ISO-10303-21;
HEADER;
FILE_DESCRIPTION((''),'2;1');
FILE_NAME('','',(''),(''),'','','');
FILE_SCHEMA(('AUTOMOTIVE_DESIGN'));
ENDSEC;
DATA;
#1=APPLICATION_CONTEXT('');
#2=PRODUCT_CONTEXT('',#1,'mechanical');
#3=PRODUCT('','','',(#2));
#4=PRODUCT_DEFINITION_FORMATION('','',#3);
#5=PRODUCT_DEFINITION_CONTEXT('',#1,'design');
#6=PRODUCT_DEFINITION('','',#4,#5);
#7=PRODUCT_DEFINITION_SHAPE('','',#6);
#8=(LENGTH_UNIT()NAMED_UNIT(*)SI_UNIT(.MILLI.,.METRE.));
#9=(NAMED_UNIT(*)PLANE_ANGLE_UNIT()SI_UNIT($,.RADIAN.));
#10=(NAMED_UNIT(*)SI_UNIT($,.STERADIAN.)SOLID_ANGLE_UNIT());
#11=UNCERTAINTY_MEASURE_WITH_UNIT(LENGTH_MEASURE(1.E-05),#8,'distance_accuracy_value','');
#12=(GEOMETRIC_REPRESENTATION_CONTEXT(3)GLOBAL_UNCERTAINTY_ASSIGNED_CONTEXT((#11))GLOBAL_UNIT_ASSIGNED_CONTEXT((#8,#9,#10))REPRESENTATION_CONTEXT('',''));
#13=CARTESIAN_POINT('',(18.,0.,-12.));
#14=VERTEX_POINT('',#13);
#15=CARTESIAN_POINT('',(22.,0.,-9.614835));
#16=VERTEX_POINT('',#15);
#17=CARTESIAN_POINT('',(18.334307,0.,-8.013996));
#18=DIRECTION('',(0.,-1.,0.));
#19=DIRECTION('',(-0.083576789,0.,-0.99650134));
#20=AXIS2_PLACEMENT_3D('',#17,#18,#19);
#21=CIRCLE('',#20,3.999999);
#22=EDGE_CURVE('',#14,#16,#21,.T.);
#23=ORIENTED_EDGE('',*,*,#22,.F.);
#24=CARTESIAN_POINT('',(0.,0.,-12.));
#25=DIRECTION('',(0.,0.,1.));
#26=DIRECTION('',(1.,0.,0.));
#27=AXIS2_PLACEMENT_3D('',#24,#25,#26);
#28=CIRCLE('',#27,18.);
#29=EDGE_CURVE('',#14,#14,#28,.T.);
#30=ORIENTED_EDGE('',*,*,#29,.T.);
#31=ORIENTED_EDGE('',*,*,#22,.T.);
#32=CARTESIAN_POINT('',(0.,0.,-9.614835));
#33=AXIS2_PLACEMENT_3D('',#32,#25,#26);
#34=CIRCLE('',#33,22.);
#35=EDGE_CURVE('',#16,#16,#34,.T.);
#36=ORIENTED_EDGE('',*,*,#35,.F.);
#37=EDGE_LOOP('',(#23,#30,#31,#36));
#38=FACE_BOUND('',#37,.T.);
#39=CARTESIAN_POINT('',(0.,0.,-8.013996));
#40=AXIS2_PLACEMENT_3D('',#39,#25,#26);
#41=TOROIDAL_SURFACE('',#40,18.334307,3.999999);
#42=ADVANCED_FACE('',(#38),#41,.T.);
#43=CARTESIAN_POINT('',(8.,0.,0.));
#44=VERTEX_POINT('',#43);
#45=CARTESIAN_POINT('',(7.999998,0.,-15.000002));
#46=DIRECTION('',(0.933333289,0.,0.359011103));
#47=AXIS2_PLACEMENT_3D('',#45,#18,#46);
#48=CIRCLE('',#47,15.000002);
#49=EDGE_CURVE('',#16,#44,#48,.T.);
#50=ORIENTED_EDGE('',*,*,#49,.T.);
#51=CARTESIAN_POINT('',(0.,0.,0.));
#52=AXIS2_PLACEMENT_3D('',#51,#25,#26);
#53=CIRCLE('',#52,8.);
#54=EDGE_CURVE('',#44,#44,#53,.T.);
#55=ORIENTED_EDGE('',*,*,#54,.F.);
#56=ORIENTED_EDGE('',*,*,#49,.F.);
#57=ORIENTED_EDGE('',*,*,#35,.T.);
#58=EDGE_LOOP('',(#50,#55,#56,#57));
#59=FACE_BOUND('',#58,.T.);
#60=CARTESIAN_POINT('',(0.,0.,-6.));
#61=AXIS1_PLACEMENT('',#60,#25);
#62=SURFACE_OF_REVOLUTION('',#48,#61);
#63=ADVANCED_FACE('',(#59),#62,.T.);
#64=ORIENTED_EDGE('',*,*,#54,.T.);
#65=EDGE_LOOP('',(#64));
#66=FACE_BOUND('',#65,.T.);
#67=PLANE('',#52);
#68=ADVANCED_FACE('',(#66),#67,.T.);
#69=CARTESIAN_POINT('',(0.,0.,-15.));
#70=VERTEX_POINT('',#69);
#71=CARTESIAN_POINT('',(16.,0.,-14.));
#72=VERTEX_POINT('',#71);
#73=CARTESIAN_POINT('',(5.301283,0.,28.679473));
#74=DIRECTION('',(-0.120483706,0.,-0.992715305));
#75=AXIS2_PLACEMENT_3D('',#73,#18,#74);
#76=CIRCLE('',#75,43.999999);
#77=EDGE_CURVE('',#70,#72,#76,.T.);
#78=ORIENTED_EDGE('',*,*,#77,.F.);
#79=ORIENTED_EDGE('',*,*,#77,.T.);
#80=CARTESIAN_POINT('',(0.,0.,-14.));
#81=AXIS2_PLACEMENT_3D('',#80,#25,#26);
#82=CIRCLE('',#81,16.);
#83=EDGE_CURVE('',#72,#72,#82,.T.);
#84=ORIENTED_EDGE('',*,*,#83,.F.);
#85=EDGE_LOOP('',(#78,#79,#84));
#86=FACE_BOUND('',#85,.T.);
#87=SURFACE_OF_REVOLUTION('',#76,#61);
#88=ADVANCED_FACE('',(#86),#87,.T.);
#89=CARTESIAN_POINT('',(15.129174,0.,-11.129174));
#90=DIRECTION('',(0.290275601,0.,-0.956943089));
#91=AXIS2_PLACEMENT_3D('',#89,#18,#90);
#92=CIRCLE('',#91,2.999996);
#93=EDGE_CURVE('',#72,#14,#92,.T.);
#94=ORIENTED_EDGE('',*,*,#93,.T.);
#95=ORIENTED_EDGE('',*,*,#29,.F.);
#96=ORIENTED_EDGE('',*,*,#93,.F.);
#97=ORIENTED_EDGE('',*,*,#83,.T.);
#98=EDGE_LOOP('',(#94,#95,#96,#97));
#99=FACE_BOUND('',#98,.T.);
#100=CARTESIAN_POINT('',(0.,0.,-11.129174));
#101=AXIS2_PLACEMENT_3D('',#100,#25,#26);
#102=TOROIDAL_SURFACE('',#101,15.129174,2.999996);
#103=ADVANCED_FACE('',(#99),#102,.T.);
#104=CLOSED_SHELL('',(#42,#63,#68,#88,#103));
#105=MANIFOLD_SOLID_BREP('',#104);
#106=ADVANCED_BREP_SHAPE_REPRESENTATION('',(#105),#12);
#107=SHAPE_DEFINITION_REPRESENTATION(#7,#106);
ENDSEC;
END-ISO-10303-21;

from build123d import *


with BuildPart() as f1:
    # F0 (on Front) → F1 (revolve)
    with BuildSketch(Plane.XZ):
        with BuildLine():
            Line((16, -14), (0, -14))
            Line((0, -14), (0, -15))
            ThreePointArc((0, -15), (8.045928, -15.23484), (16, -14))
        make_face()
        with BuildLine():
            Line((18, -12), (0, -12))
            Line((0, -12), (0, -14))
            Line((0, -14), (16, -14))
            ThreePointArc((16, -14), (17.250492, -13.250492), (18, -12))
        make_face()
        with BuildLine():
            Line((8, 0), (0, 0))
            Line((0, 0), (0, -12))
            Line((0, -12), (18, -12))
            ThreePointArc((18, -12), (20.382913, -11.449575), (22, -9.614835))
            ThreePointArc((22, -9.614835), (16.491835, -2.635182), (8, 0))
        make_face()
    revolve(axis=Axis((0, 0, -6), (0, 0, 1)))


solid = f1.part
